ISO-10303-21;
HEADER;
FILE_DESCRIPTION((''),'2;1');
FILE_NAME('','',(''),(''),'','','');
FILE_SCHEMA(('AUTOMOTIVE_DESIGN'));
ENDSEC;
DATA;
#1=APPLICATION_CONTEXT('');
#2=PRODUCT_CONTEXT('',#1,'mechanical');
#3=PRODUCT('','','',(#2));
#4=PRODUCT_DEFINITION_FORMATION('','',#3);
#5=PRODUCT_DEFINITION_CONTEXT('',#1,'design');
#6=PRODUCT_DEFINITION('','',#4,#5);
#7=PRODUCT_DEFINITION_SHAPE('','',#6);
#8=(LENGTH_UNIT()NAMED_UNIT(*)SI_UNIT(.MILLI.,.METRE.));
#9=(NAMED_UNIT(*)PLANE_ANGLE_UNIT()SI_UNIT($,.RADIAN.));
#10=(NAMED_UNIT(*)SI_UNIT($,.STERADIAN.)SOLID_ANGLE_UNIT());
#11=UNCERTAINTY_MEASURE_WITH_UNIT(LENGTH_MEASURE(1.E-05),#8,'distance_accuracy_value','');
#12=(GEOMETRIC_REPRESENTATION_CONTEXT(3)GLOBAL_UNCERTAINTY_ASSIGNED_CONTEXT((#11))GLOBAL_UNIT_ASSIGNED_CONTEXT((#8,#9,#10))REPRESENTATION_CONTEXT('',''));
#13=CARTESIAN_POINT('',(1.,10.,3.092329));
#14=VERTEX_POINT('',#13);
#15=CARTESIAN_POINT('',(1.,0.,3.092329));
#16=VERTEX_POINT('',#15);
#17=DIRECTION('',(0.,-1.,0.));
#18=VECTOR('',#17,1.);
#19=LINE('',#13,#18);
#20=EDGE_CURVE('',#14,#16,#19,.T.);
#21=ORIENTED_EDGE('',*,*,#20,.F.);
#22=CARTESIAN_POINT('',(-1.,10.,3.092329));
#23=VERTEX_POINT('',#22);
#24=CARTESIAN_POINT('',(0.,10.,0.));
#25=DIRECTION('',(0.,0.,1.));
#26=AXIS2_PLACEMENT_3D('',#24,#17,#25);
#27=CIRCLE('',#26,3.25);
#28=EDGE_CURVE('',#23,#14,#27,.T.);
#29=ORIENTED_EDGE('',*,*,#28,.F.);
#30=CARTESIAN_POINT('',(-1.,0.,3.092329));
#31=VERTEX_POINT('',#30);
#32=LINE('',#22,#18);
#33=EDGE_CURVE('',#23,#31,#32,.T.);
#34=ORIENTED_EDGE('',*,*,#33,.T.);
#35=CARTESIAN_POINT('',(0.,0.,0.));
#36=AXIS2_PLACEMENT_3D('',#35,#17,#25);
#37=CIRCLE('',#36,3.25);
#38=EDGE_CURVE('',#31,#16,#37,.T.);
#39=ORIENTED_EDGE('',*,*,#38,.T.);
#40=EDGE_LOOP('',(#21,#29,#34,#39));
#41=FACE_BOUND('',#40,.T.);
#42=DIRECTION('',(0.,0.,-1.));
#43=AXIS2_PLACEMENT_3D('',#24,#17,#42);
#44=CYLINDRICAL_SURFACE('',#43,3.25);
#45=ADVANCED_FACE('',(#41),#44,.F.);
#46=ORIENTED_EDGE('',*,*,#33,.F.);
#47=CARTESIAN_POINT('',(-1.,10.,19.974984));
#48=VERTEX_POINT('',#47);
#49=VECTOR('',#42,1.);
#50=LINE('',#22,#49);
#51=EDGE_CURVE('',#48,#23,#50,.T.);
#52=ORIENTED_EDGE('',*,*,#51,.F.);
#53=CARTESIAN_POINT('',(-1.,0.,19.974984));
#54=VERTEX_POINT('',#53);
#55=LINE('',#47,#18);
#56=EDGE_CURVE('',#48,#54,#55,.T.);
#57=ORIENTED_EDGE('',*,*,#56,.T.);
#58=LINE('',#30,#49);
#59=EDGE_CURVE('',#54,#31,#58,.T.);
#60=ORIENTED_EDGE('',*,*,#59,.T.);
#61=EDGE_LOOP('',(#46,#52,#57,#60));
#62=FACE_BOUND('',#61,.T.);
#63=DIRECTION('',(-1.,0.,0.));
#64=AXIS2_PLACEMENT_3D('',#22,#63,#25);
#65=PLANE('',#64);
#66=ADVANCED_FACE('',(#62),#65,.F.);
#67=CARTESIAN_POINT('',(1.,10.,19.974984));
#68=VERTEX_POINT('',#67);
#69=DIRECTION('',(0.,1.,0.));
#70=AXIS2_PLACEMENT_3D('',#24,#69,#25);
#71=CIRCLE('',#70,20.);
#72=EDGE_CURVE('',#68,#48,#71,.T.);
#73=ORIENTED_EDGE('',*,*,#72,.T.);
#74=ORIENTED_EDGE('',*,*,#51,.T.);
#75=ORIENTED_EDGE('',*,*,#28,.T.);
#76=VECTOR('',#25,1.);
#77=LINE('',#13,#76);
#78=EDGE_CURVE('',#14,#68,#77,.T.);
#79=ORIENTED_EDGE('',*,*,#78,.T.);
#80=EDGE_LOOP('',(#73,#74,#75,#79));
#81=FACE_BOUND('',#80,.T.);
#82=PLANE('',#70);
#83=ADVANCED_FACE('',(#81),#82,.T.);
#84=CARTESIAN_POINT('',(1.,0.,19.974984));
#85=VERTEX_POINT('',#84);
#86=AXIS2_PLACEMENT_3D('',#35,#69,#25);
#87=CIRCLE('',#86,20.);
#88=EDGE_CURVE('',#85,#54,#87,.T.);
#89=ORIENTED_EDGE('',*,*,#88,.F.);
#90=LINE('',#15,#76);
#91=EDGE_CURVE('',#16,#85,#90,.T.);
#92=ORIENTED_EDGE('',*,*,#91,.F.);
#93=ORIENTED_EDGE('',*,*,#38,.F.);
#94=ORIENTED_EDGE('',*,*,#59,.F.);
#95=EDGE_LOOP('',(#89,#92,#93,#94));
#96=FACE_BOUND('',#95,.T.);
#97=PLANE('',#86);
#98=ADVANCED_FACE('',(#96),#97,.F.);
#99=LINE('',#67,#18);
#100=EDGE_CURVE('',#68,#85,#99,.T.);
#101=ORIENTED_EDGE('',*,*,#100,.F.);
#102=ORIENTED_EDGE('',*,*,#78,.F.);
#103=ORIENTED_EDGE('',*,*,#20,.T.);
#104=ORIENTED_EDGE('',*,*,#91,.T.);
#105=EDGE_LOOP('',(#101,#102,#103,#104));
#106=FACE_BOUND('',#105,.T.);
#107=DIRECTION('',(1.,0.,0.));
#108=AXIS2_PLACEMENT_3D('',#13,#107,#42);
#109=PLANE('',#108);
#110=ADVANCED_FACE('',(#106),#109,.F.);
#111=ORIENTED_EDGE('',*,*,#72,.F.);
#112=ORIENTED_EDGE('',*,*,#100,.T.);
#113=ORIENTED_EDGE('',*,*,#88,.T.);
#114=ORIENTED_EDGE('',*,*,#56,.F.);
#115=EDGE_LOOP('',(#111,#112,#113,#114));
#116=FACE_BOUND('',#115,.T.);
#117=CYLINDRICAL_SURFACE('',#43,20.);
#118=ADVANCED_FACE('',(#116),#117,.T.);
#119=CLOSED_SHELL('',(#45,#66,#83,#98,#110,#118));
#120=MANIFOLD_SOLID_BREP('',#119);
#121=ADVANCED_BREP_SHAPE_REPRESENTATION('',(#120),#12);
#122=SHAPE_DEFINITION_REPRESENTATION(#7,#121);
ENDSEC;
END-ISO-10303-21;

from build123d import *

# Parameters (mm, degrees)
BOSS_EXTRUDE1_DEPTH = 10


with BuildPart() as part:
    # Sketch1 → Boss-Extrude1 (new body)
    with BuildSketch(Plane(origin=(0, 0, 0), x_dir=(1, 0, 0), z_dir=(0, 1, 0))):
        with BuildLine():
            Line((-1, -3.092329219), (-1, -19.974984355))
            ThreePointArc((-1, -19.974984355), (0, 20), (1, -19.974984355))
            Line((1, -19.974984355), (1, -3.092329219))
            ThreePointArc((1, -3.092329219), (0, 3.25), (-1, -3.092329219))
        make_face()
    extrude(amount=BOSS_EXTRUDE1_DEPTH)


solid = part.part
